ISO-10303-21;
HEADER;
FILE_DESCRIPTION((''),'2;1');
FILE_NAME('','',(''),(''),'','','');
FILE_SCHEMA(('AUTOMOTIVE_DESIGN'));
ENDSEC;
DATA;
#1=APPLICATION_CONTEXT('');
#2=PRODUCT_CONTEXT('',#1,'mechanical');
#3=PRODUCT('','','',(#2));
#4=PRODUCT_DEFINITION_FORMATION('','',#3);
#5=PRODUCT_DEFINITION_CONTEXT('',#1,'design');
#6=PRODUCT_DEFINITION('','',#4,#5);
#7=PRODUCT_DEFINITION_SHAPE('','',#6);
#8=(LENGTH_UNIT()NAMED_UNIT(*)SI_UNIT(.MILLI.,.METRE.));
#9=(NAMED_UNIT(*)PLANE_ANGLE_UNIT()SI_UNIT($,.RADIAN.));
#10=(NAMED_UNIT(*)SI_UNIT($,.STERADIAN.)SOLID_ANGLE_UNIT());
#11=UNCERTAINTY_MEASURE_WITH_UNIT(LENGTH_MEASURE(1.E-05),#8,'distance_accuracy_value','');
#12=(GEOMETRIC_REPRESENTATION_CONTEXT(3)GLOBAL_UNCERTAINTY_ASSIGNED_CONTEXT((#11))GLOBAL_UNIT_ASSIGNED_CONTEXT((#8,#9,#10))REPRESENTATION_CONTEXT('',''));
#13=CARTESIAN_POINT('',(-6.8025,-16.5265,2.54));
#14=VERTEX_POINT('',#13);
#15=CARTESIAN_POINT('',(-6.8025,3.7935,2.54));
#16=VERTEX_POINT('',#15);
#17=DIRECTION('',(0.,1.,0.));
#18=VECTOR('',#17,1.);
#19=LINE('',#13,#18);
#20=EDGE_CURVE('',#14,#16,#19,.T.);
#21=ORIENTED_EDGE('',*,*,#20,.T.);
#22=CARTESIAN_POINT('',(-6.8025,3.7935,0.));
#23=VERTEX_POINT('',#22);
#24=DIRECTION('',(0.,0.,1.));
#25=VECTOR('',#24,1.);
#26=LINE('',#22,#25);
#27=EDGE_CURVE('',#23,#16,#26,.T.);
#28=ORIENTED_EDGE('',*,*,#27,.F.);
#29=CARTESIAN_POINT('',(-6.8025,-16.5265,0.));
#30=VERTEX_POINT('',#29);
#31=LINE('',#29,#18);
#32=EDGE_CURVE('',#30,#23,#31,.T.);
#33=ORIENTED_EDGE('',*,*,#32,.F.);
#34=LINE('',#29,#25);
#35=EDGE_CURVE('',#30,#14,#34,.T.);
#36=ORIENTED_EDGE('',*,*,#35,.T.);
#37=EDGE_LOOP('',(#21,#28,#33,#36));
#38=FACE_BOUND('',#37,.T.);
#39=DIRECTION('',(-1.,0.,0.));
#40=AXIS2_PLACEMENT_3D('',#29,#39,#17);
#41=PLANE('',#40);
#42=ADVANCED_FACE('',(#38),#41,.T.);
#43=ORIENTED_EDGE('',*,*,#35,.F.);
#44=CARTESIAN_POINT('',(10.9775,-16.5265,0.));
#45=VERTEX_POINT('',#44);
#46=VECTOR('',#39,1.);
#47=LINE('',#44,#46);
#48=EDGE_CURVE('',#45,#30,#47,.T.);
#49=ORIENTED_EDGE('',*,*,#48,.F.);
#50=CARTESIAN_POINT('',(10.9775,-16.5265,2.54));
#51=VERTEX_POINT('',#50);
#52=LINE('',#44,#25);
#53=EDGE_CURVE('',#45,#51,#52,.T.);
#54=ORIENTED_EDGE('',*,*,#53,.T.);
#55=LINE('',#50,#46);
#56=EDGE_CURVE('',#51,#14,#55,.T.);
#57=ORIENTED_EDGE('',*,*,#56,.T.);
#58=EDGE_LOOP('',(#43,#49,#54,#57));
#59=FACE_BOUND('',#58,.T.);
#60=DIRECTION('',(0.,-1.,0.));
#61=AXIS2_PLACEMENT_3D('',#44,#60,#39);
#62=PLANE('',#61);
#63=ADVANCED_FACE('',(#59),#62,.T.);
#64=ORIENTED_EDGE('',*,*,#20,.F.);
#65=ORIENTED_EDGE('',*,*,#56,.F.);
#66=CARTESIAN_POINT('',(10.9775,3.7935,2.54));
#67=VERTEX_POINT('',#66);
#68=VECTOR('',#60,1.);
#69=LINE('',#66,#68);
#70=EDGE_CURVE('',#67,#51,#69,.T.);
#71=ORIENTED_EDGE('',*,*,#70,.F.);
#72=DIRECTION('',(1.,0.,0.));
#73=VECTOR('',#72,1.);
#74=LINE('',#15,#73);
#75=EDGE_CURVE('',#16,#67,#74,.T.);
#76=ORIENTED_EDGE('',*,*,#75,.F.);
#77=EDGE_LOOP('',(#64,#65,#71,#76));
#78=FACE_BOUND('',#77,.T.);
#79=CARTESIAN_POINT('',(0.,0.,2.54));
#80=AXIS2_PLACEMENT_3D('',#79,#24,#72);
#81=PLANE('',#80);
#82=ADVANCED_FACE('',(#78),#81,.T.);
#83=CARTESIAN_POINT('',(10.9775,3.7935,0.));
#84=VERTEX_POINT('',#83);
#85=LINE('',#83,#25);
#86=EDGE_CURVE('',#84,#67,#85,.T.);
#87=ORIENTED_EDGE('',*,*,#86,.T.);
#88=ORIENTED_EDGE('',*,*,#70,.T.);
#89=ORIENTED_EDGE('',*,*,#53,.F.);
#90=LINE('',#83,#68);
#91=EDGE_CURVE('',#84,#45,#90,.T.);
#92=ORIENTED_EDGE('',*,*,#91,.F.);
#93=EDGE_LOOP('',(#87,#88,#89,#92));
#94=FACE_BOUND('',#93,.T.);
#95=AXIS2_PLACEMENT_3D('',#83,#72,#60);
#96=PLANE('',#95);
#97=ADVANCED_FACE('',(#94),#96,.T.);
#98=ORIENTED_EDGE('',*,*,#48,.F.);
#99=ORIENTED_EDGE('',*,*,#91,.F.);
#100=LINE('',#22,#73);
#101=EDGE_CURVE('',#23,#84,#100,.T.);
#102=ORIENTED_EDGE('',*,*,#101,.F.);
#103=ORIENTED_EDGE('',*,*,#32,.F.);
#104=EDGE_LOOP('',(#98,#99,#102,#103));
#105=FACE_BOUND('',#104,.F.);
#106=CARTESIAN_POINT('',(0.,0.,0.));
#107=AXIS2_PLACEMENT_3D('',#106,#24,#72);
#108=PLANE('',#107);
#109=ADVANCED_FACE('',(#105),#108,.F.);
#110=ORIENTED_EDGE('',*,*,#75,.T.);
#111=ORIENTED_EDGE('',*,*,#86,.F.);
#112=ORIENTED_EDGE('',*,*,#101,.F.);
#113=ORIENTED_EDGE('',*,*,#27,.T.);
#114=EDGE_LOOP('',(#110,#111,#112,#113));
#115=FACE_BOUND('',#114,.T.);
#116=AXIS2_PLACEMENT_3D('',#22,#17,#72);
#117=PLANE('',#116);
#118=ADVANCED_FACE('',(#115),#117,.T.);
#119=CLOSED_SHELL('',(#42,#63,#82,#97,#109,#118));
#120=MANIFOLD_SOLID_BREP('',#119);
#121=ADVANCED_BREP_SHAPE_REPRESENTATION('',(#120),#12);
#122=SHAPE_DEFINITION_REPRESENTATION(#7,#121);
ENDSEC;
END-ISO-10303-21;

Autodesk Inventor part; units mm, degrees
ref_plane "YZ Plane" through (0, 0, 0) normal (1, 0, 0) x (0, 1, 0)
ref_plane "XZ Plane" through (0, 0, 0) normal (0, 1, 0) x (-1, 0, 0)
ref_plane "XY Plane" through (0, 0, 0) normal (0, 0, 1) x (1, 0, 0)
sketch "Sketch1" plane through (0, 0, 0) normal (0, 0, 1) x (1, 0, 0)
  line L0 (-6.8025, 3.7935) -> (10.9775, 3.7935)
  line L1 (10.9775, 3.7935) -> (10.9775, -16.5265)
  line L2 (10.9775, -16.5265) -> (-6.8025, -16.5265)
  line L3 (-6.8025, -16.5265) -> (-6.8025, 3.7935)
  point P0 (0, 0)
  dimension "d0" = 17.78
  dimension "d1" = 20.32
extrude "Extrusion1" add sketch "Sketch1" along normal blind 2.54
properties part number "ToF Sensor6"
